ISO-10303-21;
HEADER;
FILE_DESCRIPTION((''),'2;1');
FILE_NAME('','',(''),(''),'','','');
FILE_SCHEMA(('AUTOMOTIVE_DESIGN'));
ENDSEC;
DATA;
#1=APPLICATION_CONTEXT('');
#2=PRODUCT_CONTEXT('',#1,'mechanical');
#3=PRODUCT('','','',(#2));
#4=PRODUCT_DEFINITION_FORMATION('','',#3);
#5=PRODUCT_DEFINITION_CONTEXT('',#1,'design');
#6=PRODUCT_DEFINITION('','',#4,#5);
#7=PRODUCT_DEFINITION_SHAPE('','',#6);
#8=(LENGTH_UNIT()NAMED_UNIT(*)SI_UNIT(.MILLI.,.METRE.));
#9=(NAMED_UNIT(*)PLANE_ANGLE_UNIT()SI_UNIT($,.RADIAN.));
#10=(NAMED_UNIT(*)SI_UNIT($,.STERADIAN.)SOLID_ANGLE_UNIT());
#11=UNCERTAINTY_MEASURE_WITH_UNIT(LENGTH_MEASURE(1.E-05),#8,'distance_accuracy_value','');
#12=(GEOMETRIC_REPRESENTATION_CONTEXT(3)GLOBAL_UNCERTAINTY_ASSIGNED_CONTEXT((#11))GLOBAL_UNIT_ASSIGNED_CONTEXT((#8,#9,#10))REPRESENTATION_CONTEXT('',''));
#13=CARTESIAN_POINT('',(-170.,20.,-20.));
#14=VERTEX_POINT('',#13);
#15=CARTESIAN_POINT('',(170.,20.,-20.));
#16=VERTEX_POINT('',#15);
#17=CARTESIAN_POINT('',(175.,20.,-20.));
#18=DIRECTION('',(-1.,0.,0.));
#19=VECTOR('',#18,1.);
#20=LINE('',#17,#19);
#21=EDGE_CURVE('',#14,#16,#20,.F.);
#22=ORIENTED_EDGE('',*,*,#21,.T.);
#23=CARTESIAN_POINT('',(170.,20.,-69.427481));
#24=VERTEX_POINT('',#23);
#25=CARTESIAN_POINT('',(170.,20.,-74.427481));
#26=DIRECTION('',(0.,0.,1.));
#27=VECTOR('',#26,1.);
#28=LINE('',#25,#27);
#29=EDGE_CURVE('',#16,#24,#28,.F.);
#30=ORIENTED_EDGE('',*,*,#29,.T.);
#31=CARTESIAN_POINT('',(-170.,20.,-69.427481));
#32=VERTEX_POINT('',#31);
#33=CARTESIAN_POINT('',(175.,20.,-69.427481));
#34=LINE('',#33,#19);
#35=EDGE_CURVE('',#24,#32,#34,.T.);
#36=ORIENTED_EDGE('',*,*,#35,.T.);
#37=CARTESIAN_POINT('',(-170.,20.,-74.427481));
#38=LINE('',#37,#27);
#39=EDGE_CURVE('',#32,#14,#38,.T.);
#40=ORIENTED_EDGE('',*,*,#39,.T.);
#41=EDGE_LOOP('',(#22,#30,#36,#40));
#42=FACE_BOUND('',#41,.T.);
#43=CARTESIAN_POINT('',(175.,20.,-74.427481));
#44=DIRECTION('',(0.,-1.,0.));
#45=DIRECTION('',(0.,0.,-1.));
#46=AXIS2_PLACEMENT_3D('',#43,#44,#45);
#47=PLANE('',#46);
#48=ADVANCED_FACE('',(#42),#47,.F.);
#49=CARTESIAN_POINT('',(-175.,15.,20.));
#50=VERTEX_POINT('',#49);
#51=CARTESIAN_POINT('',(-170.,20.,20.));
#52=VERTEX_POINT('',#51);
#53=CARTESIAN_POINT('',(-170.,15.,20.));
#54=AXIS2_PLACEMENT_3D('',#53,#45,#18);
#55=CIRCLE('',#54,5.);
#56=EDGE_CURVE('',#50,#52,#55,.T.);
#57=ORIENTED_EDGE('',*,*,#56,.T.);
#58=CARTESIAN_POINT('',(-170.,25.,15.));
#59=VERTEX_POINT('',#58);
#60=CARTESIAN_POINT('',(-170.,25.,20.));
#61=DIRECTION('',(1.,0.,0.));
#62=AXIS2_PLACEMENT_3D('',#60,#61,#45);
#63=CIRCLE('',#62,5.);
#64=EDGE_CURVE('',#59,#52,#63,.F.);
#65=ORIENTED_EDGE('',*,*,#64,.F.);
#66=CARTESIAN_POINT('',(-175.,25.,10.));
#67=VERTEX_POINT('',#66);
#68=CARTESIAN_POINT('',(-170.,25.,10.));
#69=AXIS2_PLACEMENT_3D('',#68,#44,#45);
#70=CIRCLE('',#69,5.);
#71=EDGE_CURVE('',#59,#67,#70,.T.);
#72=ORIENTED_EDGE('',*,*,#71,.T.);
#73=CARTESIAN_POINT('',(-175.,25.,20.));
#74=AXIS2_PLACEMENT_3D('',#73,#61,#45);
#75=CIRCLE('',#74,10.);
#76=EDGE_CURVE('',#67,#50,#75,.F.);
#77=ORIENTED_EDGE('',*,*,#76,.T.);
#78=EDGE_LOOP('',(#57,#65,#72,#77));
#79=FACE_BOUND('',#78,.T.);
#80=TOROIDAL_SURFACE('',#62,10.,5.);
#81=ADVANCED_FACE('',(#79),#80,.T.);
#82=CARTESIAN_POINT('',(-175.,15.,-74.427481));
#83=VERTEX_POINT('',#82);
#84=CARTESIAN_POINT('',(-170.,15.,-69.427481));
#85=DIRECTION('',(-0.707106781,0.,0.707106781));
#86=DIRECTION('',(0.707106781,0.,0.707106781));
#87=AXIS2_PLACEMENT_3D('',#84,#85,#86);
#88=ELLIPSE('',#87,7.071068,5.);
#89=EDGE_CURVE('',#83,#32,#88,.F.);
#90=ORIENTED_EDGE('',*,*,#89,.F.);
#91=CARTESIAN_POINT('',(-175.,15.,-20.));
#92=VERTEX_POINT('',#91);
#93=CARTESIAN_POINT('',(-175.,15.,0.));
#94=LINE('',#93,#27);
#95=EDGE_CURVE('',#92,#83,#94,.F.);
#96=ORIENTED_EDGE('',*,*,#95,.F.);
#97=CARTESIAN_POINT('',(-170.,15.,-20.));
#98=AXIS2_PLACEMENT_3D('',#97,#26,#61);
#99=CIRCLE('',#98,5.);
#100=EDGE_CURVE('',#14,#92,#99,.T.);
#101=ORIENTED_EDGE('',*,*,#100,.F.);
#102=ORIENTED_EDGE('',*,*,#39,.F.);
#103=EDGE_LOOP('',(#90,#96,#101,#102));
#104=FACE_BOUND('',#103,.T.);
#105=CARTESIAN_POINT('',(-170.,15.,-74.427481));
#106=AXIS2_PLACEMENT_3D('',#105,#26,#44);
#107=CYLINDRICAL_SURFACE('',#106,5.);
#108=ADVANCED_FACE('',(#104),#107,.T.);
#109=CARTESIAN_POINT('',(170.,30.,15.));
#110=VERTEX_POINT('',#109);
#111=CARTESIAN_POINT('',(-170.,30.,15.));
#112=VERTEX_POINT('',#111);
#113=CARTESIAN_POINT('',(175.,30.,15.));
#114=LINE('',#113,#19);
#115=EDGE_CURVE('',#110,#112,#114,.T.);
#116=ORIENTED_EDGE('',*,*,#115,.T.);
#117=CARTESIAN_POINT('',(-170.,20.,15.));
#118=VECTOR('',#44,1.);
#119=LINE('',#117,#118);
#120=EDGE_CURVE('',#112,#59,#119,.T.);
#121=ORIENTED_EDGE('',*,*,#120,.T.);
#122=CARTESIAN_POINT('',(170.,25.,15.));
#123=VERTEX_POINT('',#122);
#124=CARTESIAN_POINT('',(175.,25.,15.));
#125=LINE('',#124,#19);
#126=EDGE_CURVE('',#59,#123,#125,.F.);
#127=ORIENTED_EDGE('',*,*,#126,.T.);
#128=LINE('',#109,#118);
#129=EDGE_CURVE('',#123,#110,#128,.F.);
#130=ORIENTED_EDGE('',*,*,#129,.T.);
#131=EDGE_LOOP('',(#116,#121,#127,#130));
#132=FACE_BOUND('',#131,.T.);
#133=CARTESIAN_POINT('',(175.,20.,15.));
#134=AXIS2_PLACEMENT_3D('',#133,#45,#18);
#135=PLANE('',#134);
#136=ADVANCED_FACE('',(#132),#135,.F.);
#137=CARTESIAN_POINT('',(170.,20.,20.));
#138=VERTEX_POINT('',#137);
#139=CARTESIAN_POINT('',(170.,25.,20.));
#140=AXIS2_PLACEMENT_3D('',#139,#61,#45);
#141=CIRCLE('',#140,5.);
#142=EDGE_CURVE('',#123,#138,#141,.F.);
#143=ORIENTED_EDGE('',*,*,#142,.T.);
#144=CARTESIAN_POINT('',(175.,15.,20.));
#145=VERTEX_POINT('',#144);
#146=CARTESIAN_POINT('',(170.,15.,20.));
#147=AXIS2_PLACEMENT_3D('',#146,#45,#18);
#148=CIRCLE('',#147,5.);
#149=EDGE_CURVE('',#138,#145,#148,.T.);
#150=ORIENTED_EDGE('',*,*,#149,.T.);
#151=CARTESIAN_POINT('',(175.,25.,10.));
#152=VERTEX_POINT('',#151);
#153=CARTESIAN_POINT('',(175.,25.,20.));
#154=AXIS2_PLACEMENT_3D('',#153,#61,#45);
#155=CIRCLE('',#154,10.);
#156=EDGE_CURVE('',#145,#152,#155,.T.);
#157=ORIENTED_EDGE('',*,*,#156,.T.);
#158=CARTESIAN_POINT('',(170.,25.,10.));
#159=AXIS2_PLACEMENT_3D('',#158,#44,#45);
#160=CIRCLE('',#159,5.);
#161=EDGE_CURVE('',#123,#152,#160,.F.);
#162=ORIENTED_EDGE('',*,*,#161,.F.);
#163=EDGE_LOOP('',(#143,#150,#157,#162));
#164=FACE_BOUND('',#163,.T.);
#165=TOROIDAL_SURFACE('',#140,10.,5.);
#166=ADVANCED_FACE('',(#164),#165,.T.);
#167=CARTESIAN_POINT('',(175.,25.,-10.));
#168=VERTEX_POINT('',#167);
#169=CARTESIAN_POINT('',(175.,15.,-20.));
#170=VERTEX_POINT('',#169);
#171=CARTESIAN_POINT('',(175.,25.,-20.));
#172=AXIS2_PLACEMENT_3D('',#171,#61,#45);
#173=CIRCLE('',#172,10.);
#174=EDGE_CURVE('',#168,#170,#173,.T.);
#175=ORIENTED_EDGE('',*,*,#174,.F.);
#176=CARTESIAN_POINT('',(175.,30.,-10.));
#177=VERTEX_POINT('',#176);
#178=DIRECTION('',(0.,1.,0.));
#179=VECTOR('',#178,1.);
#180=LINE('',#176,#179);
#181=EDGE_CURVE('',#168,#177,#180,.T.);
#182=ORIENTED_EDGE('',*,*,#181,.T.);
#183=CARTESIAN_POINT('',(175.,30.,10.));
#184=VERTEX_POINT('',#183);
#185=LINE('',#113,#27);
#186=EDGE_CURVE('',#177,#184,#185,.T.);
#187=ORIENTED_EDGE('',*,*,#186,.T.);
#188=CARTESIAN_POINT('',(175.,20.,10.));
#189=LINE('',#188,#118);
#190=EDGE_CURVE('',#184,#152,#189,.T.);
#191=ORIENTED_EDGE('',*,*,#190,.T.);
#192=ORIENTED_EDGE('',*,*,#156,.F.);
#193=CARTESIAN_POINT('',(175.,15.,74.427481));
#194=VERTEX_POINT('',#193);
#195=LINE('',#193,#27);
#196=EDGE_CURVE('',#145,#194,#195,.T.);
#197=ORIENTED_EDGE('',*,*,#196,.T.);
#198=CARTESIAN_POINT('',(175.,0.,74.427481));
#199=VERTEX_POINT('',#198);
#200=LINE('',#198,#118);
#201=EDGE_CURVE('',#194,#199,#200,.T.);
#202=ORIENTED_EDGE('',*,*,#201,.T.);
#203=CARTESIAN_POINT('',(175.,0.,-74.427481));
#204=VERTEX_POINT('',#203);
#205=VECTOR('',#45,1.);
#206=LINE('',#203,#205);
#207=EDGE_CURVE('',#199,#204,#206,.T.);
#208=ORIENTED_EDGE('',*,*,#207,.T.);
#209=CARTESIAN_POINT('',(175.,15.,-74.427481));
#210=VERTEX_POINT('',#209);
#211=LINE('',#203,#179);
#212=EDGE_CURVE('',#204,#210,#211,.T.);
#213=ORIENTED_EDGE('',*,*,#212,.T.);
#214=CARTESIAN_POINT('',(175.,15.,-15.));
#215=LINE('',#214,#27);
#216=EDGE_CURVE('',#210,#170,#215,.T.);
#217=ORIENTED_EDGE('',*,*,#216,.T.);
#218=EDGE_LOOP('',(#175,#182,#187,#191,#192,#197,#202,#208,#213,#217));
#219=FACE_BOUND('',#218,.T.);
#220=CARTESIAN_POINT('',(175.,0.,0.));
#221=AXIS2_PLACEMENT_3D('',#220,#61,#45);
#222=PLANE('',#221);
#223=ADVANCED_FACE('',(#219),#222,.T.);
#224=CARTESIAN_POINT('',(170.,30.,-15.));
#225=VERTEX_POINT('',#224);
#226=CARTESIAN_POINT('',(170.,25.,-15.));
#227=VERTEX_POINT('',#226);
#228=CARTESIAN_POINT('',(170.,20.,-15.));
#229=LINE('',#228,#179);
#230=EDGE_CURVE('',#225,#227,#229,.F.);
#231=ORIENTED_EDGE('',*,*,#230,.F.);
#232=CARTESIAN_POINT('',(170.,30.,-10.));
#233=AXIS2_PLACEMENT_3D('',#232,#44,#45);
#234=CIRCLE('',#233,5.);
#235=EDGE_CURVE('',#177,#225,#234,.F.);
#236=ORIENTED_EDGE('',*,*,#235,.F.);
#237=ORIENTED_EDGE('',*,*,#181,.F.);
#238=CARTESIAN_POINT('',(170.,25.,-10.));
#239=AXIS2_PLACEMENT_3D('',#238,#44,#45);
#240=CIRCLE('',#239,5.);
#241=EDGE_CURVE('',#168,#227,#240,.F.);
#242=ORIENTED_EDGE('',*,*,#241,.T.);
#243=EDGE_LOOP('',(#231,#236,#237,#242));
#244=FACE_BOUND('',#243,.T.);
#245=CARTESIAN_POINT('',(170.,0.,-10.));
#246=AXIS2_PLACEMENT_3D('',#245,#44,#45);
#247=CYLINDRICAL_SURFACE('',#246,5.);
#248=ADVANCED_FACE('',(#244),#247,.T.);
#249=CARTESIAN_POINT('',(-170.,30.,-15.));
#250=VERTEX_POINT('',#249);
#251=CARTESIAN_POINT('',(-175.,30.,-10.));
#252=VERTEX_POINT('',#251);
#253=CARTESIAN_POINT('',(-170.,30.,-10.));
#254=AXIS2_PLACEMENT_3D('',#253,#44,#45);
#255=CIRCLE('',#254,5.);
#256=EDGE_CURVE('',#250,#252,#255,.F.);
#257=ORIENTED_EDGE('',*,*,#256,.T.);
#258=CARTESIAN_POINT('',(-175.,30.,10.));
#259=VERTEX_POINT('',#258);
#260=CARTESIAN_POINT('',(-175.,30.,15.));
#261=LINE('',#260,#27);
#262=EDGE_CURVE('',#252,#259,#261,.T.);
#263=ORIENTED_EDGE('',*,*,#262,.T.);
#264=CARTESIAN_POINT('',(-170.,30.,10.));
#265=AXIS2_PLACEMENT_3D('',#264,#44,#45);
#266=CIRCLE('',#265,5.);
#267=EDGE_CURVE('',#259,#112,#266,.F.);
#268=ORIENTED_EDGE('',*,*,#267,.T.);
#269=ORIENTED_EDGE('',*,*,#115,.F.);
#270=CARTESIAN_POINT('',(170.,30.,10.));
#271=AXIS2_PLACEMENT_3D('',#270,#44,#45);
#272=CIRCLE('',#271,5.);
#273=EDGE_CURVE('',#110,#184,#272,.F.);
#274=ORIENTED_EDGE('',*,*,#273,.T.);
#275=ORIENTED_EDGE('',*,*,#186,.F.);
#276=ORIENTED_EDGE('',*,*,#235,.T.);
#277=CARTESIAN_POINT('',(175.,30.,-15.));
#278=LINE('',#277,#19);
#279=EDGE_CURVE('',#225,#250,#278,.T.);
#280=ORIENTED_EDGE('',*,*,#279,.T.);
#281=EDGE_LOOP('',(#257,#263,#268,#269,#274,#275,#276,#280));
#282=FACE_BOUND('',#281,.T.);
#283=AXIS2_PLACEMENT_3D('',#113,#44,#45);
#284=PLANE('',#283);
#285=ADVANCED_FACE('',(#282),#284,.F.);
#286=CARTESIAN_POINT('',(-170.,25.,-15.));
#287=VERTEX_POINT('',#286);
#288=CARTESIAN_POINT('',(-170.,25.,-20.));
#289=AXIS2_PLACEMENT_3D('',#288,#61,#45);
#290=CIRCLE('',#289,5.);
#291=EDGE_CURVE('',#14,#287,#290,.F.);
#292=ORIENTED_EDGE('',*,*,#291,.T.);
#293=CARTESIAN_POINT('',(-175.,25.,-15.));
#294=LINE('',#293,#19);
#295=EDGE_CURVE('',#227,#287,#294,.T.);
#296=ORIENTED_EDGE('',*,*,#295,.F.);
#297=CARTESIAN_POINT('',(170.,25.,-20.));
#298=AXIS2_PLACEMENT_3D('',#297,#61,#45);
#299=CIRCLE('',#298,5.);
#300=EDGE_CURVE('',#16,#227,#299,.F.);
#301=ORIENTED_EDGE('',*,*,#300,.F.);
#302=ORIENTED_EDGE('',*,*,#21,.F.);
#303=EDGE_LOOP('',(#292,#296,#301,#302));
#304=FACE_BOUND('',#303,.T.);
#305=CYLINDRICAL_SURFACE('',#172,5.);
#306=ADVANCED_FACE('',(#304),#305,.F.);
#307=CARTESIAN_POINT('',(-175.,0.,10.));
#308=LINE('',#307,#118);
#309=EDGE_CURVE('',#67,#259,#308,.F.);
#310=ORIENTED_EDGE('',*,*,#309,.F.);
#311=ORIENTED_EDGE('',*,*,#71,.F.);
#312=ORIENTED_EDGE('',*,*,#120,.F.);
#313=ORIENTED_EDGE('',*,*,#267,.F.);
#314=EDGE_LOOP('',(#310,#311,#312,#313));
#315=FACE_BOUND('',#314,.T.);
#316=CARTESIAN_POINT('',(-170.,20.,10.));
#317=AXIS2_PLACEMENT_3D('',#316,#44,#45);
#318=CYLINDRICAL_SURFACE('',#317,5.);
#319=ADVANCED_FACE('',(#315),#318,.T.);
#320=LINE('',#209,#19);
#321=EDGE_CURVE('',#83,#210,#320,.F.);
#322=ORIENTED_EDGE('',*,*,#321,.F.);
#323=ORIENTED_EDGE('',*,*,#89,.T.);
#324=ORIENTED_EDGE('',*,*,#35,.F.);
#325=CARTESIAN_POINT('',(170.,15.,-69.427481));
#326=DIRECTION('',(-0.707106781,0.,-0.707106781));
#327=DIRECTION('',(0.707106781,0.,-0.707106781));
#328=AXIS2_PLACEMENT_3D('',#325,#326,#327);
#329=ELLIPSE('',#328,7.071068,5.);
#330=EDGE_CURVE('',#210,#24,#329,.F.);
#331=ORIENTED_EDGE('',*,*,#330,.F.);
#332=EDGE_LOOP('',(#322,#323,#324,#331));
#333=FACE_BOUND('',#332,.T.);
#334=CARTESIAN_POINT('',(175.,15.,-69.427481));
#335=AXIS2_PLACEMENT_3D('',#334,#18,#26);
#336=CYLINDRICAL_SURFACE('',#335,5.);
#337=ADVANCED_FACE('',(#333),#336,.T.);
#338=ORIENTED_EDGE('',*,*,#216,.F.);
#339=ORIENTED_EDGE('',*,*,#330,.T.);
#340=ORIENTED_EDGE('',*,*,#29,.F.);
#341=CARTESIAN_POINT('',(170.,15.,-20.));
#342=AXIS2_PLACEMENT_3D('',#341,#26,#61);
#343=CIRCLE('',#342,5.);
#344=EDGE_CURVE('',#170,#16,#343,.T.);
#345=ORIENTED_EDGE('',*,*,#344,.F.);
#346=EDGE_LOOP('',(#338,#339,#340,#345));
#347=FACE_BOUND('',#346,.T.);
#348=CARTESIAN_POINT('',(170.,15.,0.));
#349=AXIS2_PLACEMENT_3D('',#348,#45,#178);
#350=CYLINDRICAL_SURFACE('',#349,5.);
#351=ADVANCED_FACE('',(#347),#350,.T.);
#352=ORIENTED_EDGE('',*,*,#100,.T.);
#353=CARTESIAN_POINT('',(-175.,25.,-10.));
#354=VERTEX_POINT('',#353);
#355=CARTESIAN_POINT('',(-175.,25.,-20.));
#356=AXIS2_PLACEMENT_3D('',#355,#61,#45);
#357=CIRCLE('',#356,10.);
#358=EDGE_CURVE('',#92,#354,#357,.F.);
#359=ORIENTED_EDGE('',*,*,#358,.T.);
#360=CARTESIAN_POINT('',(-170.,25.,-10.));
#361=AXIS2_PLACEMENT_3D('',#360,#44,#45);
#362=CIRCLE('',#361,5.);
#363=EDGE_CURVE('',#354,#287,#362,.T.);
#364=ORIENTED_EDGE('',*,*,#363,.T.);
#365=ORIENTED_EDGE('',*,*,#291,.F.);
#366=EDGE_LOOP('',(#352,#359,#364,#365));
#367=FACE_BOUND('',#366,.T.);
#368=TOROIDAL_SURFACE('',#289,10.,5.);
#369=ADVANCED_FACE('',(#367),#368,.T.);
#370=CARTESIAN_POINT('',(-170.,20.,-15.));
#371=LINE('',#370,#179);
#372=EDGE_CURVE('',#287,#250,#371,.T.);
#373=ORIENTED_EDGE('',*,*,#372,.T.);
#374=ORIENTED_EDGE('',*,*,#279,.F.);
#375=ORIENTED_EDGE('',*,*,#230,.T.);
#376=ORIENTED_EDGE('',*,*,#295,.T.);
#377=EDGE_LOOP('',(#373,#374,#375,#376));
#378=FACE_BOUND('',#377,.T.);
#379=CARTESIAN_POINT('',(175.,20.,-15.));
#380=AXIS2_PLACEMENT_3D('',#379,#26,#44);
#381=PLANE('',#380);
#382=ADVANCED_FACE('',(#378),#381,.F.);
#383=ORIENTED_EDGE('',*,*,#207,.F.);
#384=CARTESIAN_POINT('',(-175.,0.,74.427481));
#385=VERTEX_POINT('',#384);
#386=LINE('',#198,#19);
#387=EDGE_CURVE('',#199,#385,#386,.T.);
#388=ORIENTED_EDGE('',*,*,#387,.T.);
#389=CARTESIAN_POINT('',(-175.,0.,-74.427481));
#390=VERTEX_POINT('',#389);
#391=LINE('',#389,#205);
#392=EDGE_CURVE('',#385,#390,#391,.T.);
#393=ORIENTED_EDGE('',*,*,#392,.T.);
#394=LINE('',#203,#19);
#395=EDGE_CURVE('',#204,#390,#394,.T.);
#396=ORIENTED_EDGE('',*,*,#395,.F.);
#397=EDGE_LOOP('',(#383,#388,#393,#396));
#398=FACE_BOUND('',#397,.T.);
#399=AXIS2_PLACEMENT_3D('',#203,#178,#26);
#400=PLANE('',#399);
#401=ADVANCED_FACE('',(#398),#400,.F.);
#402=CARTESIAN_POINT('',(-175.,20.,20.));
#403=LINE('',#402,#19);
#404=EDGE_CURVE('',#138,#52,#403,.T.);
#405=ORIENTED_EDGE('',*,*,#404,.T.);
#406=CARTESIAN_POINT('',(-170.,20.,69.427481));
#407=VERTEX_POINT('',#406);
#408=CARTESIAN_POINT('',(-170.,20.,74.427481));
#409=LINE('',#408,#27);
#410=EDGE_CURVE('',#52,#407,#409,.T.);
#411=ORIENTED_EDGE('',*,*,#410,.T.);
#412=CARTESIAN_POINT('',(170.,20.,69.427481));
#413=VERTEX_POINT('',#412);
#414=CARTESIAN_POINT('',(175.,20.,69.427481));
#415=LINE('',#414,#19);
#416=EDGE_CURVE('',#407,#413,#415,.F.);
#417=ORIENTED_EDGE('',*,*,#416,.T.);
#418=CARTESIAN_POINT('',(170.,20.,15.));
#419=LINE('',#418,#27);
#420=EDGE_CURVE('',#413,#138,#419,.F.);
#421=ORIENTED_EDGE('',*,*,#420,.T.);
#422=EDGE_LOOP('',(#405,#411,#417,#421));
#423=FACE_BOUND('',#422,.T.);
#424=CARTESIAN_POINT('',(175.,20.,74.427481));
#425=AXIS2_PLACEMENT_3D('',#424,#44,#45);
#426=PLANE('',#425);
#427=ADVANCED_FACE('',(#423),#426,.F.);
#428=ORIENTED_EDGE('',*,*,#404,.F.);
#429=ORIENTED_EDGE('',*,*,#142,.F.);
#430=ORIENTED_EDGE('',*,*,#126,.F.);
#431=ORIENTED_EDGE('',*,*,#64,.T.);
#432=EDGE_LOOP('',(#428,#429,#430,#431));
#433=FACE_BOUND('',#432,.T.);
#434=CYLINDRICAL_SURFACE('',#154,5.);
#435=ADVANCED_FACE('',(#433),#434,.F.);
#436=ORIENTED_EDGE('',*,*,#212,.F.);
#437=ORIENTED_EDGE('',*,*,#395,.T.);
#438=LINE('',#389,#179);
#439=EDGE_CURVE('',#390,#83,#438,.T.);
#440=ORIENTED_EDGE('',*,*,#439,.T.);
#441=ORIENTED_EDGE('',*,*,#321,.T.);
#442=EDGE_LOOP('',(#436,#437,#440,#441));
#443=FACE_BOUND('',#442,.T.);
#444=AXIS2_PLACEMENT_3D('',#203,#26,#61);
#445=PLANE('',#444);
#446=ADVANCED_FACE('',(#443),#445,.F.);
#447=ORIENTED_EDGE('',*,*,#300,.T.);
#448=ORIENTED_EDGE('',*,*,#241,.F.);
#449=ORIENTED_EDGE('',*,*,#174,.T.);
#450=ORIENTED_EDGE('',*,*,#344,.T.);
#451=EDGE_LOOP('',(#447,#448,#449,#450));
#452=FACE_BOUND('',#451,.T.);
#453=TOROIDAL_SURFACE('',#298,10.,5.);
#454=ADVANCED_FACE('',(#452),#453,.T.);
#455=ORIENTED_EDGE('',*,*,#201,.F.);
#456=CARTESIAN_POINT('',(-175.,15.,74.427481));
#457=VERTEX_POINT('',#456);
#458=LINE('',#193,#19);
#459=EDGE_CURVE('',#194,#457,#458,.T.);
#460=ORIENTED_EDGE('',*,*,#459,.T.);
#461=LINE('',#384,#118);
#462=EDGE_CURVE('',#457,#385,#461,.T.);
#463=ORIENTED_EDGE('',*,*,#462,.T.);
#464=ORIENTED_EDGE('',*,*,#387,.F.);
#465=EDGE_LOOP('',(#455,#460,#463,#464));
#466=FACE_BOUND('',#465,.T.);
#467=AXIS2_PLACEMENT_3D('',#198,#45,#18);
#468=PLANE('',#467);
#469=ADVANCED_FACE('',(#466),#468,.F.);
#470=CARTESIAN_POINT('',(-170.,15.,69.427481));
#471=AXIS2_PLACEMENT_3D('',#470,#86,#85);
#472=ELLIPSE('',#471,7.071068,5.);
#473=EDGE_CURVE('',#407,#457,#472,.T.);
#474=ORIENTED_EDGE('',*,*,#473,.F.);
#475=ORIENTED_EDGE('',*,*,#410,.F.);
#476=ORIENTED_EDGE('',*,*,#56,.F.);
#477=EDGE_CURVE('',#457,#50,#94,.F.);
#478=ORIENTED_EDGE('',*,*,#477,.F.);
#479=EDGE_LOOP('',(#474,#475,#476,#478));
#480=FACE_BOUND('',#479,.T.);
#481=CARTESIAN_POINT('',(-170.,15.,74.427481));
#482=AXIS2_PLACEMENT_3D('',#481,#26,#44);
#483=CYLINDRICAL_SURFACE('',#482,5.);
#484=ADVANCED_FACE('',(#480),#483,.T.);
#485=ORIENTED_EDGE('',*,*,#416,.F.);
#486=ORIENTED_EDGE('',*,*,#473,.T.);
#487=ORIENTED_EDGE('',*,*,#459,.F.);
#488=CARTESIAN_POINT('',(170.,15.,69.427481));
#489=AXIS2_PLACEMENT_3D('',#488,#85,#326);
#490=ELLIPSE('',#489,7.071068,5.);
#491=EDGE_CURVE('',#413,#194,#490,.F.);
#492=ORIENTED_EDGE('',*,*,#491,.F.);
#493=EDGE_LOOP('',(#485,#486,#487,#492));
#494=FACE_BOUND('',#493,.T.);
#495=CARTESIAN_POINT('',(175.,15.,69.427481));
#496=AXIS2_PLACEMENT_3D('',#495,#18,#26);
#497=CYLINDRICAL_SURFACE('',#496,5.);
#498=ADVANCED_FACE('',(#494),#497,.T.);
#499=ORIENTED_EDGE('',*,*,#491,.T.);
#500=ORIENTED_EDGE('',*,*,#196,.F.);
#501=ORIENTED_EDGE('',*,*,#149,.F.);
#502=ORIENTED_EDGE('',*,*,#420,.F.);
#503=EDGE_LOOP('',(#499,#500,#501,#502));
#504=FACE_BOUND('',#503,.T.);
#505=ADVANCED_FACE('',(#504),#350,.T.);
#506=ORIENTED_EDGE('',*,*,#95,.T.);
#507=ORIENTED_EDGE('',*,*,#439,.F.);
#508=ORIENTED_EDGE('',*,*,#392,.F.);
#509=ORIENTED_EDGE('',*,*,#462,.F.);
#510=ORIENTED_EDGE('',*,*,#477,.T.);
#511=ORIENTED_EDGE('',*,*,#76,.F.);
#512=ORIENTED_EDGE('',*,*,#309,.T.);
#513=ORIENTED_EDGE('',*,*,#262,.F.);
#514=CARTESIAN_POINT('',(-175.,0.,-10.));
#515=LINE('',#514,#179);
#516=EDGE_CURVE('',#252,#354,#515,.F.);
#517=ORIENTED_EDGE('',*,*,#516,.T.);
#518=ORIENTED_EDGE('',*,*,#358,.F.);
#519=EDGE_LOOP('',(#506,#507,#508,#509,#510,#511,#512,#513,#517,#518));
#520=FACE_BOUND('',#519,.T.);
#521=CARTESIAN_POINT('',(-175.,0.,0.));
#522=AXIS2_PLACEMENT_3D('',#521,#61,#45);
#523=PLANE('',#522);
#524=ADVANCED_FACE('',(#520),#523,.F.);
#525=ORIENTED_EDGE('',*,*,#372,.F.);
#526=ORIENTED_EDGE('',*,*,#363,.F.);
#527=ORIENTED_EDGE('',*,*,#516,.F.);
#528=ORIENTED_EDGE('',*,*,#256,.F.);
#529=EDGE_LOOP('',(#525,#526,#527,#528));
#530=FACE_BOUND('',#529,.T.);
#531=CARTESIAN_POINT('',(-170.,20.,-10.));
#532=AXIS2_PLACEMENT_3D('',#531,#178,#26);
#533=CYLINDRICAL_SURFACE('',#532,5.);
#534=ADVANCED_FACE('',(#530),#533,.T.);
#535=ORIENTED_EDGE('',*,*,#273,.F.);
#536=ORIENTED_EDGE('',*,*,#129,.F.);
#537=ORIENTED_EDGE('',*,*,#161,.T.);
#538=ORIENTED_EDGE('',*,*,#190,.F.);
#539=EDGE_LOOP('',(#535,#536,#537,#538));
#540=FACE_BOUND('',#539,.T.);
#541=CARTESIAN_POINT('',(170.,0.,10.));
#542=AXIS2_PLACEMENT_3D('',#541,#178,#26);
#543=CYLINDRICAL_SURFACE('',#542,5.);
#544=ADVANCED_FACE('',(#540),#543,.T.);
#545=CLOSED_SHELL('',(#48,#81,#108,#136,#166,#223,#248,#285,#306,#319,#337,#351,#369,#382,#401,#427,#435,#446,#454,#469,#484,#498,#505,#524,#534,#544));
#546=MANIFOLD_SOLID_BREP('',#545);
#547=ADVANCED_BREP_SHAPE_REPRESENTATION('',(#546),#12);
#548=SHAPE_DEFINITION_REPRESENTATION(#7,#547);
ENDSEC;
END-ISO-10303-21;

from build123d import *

# Parameters (mm, degrees)
SALIENTE_EXTRUIR1_DEPTH = 175
REDONDEO1_R             = 5


with BuildPart() as part:
    # Croquis1 → Saliente-Extruir1 (new, symmetric)
    with BuildSketch(Plane(origin=(0, 0, 0), x_dir=(0, 0, -1), z_dir=(1, 0, 0))):
        Polygon((74.427480916, 0), (-74.427480916, 0), (-74.427480916, 20), (-15, 20), (-15, 30), (15, 30), (15, 20), (74.427480916, 20), align=None)
    extrude(amount=SALIENTE_EXTRUIR1_DEPTH, both=True)

    # Redondeo1
    redondeo1_edges = [part.edges().sort_by_distance(p)[0] for p in [
        (-175, 25, -15),
        (-175, 20, -44.713740458),
        (175, 25, -15),
        (0, 20, 74.427480916),
        (0, 20, 15),
        (0, 20, -15),
        (0, 20, -74.427480916),
        (175, 25, 15),
        (175, 20, 44.713740458),
        (175, 20, -44.713740458),
        (-175, 20, 44.713740458),
        (-175, 25, 15),
    ]]
    fillet(redondeo1_edges, radius=REDONDEO1_R)


solid = part.part
